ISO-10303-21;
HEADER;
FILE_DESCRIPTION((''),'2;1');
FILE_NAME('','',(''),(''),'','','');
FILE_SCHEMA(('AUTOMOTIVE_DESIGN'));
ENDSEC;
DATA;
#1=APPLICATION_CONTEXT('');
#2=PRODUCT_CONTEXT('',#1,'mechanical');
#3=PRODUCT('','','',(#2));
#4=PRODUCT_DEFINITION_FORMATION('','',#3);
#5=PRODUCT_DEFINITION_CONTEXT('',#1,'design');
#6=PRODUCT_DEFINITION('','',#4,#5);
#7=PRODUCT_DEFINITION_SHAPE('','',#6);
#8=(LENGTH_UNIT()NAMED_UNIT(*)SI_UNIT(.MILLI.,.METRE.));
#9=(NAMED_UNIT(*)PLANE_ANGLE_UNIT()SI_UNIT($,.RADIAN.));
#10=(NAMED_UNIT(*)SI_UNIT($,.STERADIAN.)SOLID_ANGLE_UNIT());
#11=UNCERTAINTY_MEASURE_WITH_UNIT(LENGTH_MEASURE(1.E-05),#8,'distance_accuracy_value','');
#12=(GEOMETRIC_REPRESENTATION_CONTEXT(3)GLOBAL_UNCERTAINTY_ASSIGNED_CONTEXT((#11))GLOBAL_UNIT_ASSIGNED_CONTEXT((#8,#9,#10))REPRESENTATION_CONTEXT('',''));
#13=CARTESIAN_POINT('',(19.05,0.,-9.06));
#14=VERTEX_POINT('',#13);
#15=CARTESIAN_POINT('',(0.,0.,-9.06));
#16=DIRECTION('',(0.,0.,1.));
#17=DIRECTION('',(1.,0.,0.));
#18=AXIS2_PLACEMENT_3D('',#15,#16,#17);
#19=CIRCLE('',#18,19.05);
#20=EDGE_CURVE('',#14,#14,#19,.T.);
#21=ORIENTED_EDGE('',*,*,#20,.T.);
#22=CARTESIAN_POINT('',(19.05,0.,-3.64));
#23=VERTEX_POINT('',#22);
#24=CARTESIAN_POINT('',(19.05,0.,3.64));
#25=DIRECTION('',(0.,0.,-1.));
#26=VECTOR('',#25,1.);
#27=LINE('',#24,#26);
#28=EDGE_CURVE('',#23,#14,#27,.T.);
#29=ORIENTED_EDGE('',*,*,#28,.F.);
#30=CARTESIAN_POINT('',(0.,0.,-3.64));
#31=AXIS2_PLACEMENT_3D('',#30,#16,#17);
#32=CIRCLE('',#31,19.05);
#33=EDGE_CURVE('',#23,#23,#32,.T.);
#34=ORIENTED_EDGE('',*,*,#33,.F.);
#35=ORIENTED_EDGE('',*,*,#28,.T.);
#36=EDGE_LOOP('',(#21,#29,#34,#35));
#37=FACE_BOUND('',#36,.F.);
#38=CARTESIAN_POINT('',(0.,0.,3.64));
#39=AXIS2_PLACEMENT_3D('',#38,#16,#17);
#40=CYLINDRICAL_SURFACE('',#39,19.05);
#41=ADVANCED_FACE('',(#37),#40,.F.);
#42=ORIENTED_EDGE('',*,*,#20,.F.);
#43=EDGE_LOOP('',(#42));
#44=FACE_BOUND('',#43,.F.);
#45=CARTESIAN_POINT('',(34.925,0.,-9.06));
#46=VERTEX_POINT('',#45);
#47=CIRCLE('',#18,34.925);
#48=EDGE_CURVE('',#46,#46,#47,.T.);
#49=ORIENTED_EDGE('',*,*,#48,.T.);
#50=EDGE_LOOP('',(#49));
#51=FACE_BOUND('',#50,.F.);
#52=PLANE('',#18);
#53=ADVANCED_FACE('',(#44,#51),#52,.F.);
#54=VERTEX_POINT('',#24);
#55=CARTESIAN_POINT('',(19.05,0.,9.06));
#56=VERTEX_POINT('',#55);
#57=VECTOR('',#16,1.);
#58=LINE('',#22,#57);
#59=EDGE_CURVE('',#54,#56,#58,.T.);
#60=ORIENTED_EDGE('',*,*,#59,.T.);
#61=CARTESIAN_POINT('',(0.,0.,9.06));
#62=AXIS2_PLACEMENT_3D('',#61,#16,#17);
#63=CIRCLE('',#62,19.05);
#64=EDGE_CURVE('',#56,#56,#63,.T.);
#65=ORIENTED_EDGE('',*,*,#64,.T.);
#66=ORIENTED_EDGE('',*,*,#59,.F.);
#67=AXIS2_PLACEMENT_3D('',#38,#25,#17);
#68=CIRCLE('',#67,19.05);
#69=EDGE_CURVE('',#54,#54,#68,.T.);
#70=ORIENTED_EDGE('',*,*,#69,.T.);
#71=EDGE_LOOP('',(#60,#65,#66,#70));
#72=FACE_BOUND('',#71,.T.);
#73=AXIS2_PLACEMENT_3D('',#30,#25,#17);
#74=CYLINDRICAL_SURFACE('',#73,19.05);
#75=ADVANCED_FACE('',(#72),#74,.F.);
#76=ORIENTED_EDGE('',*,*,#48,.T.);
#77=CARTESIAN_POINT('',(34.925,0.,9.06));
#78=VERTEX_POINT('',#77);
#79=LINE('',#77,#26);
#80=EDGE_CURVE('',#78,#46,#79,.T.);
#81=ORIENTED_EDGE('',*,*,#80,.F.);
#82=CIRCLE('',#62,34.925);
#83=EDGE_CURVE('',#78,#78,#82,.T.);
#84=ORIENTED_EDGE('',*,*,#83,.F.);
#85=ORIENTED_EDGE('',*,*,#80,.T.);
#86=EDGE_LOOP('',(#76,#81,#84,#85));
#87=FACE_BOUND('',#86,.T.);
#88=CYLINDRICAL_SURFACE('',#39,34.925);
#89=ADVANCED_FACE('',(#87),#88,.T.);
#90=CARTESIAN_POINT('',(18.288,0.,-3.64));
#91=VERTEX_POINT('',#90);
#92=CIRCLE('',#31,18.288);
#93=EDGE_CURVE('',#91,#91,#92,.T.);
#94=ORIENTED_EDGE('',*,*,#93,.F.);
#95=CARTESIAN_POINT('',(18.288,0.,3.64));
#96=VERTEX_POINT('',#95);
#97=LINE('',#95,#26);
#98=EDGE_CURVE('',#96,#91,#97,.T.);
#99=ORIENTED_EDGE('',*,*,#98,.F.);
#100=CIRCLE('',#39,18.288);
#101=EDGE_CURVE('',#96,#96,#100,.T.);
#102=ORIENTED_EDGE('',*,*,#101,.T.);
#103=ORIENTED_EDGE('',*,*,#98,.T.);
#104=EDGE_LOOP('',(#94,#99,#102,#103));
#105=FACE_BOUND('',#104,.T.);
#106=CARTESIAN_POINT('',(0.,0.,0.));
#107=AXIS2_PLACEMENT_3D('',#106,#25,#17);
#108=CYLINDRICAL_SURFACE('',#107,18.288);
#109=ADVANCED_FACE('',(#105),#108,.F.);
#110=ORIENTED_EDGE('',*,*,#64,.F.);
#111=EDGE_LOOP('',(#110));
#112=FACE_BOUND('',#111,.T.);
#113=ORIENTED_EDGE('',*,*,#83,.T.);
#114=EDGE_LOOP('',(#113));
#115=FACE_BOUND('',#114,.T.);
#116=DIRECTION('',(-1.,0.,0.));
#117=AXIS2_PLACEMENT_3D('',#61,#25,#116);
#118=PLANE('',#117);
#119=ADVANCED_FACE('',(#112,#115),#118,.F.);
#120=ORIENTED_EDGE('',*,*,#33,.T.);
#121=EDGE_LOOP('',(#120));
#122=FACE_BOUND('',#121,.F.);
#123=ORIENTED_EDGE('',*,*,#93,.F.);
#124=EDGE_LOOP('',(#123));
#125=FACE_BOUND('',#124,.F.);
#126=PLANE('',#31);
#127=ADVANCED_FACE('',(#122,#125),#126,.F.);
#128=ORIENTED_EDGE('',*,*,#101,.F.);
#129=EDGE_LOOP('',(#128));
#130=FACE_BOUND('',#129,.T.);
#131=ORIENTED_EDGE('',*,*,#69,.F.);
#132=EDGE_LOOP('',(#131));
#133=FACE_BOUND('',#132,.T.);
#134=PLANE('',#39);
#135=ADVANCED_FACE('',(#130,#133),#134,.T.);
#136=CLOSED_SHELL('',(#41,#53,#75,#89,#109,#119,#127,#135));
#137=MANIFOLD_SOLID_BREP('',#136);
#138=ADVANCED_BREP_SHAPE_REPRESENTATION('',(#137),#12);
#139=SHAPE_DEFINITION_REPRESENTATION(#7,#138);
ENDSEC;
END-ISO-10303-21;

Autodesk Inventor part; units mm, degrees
ref_plane "YZ Plane" through (0, 0, 0) normal (1, 0, 0) x (0, 1, 0)
ref_plane "XZ Plane" through (0, 0, 0) normal (0, 1, 0) x (-1, 0, 0)
ref_plane "XY Plane" through (0, 0, 0) normal (0, 0, 1) x (1, 0, 0)
sketch "Sketch1" plane through (0, 0, 0) normal (0, 0, 1) x (1, 0, 0)
  circle A0 centre (0, 0) radius 19.05
  circle A1 centre (0, 0) radius 18.288
  dimension "d6" = 38.1
  dimension "d14" = 36.576
extrude "Extrusion1" add sketch "Sketch1" along normal mid plane 7.28
sketch "Sketch2" plane through (0, 0, 3.64) normal (0, 0, 1) x (1, 0, 0)
  circle A0 centre (0, 0) radius 34.925
  circle A1 centre (0, 0) radius 19.05 projected
  dimension "d10" = 69.85
extrude "Extrusion2" add sketch "Sketch2" against normal blind 12.7
mirror "Mirror1" about plane through (0, 0, 0) normal (0, 0, 1) of "Extrusion2"
equation "\"d7\" = Length"
equation "\"Length\" = 7.28"
properties part number "Drift1615"
